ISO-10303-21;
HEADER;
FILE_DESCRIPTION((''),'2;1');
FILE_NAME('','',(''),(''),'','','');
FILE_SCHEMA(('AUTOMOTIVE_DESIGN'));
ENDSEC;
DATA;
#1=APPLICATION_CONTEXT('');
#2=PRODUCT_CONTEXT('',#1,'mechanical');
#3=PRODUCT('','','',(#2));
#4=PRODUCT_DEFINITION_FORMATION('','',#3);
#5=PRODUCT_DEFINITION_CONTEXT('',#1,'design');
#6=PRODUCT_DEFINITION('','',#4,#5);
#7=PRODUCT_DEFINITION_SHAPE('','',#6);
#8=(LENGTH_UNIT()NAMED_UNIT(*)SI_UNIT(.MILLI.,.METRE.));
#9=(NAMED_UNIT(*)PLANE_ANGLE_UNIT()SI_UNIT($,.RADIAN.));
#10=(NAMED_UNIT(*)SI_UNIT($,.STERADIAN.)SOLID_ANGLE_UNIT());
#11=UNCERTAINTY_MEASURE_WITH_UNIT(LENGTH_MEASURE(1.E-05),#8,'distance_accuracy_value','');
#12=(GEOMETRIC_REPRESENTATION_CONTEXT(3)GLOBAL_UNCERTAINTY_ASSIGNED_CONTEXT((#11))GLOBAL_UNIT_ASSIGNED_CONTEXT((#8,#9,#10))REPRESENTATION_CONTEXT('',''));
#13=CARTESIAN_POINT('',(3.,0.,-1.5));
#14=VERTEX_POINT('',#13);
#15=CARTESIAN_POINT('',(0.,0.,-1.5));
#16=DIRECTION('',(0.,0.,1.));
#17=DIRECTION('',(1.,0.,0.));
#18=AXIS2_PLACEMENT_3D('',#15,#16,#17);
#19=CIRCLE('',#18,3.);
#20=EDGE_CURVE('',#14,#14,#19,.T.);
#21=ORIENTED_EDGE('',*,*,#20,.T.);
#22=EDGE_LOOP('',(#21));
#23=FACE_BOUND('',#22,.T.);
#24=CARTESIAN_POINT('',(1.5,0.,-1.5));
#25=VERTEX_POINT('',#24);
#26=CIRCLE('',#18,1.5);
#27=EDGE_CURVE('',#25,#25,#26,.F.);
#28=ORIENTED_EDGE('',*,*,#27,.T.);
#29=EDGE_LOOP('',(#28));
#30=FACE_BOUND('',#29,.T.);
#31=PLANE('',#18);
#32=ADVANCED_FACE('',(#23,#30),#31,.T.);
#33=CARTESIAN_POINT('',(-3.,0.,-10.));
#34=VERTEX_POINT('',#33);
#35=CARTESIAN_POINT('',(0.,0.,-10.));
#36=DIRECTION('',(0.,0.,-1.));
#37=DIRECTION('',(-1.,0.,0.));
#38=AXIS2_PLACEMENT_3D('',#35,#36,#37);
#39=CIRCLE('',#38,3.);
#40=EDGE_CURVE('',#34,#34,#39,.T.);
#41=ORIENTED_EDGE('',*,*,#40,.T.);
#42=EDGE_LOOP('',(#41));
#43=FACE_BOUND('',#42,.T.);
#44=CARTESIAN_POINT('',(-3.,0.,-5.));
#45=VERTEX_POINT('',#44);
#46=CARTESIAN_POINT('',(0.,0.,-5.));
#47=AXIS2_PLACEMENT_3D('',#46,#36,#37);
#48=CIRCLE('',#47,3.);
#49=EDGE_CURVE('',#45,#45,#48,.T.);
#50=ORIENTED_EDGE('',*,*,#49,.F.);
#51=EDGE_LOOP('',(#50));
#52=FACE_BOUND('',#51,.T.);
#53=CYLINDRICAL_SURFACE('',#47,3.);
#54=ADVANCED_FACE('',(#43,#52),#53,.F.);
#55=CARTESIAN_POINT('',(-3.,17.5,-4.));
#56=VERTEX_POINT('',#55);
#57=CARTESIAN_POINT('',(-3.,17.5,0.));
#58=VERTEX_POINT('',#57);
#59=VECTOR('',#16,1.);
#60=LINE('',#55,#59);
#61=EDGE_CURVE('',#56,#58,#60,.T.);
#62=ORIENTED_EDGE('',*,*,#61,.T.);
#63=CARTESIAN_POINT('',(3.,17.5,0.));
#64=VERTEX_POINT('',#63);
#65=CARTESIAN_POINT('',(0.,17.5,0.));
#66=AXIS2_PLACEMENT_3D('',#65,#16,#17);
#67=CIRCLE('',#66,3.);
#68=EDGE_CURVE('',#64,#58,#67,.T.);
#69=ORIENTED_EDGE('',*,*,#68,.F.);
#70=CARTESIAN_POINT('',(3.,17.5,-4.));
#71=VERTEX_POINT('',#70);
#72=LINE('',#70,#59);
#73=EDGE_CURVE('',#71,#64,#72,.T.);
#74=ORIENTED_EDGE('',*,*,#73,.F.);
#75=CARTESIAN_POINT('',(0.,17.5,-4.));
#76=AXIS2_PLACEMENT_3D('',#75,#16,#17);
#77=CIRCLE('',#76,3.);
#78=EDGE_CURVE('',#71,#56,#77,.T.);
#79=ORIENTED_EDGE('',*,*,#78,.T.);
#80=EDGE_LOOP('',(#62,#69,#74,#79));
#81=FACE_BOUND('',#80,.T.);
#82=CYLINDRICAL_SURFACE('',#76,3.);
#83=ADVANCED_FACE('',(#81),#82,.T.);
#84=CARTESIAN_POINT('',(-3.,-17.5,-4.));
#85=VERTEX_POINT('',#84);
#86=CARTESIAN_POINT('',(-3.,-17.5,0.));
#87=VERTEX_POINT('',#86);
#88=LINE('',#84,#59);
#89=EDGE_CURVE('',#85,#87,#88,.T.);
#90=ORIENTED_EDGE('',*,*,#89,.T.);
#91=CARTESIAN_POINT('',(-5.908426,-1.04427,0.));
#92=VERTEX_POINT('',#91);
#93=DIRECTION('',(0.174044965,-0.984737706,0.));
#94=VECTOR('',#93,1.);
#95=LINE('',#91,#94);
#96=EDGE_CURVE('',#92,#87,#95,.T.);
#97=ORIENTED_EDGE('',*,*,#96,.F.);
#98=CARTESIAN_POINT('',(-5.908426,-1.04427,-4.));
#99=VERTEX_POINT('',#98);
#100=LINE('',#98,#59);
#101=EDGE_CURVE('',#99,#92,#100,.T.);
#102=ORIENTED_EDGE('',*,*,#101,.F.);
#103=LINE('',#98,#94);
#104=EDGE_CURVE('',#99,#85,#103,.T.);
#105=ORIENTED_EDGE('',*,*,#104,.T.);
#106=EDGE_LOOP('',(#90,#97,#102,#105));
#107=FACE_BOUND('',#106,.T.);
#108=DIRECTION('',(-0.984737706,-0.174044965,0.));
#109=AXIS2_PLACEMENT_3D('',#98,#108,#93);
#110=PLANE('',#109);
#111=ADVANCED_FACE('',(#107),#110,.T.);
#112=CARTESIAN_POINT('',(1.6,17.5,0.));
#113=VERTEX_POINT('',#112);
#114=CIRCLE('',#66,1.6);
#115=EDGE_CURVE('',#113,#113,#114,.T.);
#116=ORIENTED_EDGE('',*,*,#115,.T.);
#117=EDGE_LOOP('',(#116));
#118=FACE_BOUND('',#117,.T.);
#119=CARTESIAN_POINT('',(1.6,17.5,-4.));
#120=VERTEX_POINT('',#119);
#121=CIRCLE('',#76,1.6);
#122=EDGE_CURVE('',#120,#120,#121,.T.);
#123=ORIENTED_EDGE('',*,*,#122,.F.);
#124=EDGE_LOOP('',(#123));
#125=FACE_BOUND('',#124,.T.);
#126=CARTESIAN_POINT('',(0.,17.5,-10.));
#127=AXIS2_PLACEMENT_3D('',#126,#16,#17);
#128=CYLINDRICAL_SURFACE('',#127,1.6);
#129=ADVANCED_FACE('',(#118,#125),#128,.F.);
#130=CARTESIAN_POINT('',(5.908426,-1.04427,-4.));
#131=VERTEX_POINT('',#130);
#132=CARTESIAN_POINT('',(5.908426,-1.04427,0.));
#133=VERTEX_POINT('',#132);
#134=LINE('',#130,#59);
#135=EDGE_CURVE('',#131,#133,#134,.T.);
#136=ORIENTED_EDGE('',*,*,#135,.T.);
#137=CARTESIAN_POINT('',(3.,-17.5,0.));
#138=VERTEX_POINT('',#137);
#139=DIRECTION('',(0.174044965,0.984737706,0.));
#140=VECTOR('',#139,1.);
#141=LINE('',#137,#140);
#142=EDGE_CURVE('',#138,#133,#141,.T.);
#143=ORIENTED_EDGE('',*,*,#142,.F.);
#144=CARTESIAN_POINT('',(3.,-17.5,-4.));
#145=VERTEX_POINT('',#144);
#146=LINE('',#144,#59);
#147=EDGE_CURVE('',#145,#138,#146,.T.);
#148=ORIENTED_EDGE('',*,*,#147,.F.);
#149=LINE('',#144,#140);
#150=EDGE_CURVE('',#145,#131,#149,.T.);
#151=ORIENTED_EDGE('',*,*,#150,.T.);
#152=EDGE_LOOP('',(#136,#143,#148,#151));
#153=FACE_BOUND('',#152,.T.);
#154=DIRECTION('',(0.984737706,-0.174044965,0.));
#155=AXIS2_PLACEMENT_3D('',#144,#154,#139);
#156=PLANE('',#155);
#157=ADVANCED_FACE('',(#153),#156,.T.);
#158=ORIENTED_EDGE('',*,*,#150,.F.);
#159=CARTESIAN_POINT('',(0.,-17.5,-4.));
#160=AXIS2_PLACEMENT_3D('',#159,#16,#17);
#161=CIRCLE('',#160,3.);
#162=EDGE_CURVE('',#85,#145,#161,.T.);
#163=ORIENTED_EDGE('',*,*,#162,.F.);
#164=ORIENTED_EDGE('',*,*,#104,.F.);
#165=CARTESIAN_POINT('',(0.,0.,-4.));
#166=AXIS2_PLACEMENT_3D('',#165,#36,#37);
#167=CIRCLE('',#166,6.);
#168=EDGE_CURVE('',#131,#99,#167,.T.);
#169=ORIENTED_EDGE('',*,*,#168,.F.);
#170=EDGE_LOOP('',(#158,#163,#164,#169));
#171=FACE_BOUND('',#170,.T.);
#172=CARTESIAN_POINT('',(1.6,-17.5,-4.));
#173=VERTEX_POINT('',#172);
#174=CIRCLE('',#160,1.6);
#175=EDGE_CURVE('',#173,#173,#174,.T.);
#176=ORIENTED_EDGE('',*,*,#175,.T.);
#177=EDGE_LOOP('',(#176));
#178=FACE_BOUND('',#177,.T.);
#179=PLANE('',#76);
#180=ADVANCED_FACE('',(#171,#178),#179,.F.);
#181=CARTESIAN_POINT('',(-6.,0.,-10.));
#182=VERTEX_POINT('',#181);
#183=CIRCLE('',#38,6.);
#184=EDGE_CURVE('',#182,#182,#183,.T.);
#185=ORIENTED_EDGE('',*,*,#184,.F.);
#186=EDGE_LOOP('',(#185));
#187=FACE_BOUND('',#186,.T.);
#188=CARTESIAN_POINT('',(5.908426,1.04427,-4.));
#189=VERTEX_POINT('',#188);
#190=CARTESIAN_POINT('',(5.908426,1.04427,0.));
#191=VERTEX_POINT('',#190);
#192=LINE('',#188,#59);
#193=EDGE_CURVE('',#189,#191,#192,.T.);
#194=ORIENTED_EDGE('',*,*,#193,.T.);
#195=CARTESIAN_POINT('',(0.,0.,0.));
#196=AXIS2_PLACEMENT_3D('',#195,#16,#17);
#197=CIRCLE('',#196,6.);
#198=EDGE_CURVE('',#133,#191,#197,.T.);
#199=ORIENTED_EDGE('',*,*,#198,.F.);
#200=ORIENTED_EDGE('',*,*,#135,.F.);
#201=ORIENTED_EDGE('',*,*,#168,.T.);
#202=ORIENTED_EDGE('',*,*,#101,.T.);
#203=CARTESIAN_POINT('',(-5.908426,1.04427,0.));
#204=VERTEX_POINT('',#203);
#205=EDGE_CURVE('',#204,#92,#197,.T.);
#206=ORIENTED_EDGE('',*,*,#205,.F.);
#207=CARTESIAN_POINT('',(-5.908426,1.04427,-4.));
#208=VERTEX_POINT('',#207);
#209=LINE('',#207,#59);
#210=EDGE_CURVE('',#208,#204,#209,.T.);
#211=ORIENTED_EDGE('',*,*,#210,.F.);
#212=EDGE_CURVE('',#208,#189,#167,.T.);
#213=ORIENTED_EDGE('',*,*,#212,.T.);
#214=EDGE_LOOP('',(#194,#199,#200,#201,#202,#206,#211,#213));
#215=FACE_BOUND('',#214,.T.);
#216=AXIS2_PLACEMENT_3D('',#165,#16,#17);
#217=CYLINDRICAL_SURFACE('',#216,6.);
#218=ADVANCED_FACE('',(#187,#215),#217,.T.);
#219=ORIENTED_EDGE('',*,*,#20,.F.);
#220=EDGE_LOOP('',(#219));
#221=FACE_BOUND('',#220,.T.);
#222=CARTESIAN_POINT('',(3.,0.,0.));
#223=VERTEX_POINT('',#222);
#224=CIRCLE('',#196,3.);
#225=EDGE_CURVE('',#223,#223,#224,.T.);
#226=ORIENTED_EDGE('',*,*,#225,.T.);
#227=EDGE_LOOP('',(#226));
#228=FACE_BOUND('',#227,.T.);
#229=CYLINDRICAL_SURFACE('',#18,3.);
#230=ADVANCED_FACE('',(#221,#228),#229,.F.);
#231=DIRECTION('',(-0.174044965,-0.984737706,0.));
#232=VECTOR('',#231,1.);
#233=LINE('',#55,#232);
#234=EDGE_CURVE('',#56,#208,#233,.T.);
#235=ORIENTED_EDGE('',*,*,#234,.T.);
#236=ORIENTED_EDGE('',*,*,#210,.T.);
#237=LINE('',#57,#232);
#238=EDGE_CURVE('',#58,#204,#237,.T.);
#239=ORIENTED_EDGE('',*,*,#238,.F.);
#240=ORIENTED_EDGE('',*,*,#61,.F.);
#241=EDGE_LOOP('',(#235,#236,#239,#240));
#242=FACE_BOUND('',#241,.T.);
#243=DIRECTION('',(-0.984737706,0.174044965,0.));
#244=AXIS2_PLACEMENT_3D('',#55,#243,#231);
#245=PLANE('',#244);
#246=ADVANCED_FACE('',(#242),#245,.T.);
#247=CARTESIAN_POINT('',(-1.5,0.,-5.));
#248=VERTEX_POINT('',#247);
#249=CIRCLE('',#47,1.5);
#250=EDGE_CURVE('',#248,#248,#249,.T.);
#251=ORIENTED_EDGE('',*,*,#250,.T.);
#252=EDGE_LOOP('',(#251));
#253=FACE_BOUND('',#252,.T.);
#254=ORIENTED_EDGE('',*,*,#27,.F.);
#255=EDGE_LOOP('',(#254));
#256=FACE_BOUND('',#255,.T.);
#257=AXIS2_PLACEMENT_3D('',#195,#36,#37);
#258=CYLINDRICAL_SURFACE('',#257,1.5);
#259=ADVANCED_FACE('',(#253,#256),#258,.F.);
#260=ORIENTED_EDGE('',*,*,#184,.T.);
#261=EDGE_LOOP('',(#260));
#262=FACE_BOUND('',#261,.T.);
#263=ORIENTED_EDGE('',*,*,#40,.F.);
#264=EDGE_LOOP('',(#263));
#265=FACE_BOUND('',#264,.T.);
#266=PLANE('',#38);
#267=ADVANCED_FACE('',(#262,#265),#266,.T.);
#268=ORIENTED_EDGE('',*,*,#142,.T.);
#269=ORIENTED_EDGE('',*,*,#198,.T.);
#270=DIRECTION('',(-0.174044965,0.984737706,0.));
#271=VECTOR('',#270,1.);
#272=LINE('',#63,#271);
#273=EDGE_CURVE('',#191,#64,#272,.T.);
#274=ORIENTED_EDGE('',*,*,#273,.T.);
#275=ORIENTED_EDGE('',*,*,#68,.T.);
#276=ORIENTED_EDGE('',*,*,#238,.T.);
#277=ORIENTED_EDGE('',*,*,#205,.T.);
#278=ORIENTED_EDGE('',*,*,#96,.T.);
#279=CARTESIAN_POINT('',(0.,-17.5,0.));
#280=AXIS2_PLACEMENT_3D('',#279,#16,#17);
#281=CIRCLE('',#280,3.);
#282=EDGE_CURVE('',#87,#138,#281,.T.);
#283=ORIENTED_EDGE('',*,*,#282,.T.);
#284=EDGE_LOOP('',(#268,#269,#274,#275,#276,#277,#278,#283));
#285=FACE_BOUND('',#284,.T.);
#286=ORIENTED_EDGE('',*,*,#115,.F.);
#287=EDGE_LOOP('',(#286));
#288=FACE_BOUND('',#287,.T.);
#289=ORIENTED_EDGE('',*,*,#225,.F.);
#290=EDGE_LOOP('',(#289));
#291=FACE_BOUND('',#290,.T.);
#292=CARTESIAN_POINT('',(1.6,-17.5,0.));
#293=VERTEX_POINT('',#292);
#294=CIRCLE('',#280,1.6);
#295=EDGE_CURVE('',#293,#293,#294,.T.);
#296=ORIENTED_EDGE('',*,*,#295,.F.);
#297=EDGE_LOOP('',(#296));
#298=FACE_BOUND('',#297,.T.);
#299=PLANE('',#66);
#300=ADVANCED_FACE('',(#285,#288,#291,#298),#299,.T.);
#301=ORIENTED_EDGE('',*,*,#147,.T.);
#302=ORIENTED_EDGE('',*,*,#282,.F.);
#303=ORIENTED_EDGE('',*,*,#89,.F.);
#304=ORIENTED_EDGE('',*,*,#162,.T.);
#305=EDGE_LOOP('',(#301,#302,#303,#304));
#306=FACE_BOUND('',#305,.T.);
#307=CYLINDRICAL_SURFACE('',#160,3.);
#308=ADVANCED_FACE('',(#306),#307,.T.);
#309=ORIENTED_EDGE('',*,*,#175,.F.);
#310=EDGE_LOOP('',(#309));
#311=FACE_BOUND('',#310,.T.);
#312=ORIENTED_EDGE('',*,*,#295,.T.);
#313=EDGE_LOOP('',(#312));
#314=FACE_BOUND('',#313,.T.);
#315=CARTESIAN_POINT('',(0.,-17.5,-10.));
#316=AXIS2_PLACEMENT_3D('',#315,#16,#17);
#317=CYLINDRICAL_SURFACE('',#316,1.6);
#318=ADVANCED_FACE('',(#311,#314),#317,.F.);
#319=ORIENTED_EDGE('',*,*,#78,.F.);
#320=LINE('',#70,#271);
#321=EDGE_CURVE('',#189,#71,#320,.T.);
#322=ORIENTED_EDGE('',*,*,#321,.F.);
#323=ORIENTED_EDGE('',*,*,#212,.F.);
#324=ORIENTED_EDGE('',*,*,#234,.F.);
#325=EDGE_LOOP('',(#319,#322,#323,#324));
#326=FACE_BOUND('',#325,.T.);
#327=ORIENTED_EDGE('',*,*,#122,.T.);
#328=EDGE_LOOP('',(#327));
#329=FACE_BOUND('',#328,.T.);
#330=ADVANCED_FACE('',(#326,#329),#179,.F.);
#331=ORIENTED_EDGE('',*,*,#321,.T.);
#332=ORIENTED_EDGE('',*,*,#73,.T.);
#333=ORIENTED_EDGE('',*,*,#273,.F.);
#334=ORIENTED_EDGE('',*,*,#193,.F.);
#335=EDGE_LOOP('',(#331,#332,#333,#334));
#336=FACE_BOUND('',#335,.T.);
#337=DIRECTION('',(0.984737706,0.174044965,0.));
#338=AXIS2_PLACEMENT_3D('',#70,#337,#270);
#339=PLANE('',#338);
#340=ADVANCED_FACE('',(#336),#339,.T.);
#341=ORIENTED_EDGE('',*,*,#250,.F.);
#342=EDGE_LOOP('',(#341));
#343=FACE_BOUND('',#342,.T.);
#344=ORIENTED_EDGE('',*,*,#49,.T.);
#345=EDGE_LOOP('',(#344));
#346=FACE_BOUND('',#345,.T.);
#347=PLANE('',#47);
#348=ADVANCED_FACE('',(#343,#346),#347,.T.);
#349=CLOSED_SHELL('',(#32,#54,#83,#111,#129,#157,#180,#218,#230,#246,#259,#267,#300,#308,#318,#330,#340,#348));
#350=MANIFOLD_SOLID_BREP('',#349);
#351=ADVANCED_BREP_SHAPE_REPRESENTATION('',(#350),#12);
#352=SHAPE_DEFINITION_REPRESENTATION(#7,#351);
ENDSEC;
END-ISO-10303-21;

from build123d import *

# Parameters (mm, degrees)
BOSS_EXTRUDE1_DEPTH = 4
SKETCH5_R           = 6
BOSS_EXTRUDE3_DEPTH = 6
SKETCH6_R           = 3
CUT_EXTRUDE1_DEPTH  = 5
SKETCH7_R           = 1.5
CUT_EXTRUDE2_DEPTH  = 6
SKETCH4_R           = 1.6
CUT_EXTRUDE3_DEPTH  = 11
SKETCH8_R           = 3
CUT_EXTRUDE4_DEPTH  = 1.5


with BuildPart() as part:
    # Sketch1 → Boss-Extrude1 (new body)
    with BuildSketch(Plane.XY):
        with BuildLine():
            Line((3, 17.5), (5.908426238, 1.044269788))
            ThreePointArc((5.908426238, 1.044269788), (6, 0), (5.908426238, -1.044269788))
            Line((5.908426238, -1.044269788), (3, -17.5))
            ThreePointArc((3, -17.5), (0, -20.5), (-3, -17.5))
            Line((-3, -17.5), (-5.908426238, -1.044269788))
            ThreePointArc((-5.908426238, -1.044269788), (-6, 0), (-5.908426238, 1.044269788))
            Line((-5.908426238, 1.044269788), (-3, 17.5))
            ThreePointArc((-3, 17.5), (0, 20.5), (3, 17.5))
        make_face()
    extrude(amount=-BOSS_EXTRUDE1_DEPTH)

    # Sketch5 → Boss-Extrude3 (add)
    with BuildSketch(Plane(origin=(0, 0, -4), x_dir=(-1, 0, 0), z_dir=(0, 0, -1))):
        Circle(SKETCH5_R)
    extrude(amount=BOSS_EXTRUDE3_DEPTH)

    # Sketch6 → Cut-Extrude1 (cut)
    with BuildSketch(Plane(origin=(0, 0, -10), x_dir=(-1, 0, 0), z_dir=(0, 0, -1))):
        Circle(SKETCH6_R)
    extrude(amount=-CUT_EXTRUDE1_DEPTH, mode=Mode.SUBTRACT)

    # Sketch7 → Cut-Extrude2 (cut, through all)
    with BuildSketch(Plane(origin=(0, 0, -5), x_dir=(-1, 0, 0), z_dir=(0, 0, -1))):
        Circle(SKETCH7_R)
    extrude(amount=-CUT_EXTRUDE2_DEPTH, mode=Mode.SUBTRACT)

    # Sketch4 → Cut-Extrude3 (cut, through all)
    with BuildSketch(Plane.XY):
        with Locations((0, 17.5)):
            Circle(SKETCH4_R)
        with Locations((0, -17.5)):
            Circle(SKETCH4_R)
    extrude(amount=-CUT_EXTRUDE3_DEPTH, mode=Mode.SUBTRACT)

    # Sketch8 → Cut-Extrude4 (cut)
    with BuildSketch(Plane.XY):
        Circle(SKETCH8_R)
    extrude(amount=-CUT_EXTRUDE4_DEPTH, mode=Mode.SUBTRACT)


solid = part.part
